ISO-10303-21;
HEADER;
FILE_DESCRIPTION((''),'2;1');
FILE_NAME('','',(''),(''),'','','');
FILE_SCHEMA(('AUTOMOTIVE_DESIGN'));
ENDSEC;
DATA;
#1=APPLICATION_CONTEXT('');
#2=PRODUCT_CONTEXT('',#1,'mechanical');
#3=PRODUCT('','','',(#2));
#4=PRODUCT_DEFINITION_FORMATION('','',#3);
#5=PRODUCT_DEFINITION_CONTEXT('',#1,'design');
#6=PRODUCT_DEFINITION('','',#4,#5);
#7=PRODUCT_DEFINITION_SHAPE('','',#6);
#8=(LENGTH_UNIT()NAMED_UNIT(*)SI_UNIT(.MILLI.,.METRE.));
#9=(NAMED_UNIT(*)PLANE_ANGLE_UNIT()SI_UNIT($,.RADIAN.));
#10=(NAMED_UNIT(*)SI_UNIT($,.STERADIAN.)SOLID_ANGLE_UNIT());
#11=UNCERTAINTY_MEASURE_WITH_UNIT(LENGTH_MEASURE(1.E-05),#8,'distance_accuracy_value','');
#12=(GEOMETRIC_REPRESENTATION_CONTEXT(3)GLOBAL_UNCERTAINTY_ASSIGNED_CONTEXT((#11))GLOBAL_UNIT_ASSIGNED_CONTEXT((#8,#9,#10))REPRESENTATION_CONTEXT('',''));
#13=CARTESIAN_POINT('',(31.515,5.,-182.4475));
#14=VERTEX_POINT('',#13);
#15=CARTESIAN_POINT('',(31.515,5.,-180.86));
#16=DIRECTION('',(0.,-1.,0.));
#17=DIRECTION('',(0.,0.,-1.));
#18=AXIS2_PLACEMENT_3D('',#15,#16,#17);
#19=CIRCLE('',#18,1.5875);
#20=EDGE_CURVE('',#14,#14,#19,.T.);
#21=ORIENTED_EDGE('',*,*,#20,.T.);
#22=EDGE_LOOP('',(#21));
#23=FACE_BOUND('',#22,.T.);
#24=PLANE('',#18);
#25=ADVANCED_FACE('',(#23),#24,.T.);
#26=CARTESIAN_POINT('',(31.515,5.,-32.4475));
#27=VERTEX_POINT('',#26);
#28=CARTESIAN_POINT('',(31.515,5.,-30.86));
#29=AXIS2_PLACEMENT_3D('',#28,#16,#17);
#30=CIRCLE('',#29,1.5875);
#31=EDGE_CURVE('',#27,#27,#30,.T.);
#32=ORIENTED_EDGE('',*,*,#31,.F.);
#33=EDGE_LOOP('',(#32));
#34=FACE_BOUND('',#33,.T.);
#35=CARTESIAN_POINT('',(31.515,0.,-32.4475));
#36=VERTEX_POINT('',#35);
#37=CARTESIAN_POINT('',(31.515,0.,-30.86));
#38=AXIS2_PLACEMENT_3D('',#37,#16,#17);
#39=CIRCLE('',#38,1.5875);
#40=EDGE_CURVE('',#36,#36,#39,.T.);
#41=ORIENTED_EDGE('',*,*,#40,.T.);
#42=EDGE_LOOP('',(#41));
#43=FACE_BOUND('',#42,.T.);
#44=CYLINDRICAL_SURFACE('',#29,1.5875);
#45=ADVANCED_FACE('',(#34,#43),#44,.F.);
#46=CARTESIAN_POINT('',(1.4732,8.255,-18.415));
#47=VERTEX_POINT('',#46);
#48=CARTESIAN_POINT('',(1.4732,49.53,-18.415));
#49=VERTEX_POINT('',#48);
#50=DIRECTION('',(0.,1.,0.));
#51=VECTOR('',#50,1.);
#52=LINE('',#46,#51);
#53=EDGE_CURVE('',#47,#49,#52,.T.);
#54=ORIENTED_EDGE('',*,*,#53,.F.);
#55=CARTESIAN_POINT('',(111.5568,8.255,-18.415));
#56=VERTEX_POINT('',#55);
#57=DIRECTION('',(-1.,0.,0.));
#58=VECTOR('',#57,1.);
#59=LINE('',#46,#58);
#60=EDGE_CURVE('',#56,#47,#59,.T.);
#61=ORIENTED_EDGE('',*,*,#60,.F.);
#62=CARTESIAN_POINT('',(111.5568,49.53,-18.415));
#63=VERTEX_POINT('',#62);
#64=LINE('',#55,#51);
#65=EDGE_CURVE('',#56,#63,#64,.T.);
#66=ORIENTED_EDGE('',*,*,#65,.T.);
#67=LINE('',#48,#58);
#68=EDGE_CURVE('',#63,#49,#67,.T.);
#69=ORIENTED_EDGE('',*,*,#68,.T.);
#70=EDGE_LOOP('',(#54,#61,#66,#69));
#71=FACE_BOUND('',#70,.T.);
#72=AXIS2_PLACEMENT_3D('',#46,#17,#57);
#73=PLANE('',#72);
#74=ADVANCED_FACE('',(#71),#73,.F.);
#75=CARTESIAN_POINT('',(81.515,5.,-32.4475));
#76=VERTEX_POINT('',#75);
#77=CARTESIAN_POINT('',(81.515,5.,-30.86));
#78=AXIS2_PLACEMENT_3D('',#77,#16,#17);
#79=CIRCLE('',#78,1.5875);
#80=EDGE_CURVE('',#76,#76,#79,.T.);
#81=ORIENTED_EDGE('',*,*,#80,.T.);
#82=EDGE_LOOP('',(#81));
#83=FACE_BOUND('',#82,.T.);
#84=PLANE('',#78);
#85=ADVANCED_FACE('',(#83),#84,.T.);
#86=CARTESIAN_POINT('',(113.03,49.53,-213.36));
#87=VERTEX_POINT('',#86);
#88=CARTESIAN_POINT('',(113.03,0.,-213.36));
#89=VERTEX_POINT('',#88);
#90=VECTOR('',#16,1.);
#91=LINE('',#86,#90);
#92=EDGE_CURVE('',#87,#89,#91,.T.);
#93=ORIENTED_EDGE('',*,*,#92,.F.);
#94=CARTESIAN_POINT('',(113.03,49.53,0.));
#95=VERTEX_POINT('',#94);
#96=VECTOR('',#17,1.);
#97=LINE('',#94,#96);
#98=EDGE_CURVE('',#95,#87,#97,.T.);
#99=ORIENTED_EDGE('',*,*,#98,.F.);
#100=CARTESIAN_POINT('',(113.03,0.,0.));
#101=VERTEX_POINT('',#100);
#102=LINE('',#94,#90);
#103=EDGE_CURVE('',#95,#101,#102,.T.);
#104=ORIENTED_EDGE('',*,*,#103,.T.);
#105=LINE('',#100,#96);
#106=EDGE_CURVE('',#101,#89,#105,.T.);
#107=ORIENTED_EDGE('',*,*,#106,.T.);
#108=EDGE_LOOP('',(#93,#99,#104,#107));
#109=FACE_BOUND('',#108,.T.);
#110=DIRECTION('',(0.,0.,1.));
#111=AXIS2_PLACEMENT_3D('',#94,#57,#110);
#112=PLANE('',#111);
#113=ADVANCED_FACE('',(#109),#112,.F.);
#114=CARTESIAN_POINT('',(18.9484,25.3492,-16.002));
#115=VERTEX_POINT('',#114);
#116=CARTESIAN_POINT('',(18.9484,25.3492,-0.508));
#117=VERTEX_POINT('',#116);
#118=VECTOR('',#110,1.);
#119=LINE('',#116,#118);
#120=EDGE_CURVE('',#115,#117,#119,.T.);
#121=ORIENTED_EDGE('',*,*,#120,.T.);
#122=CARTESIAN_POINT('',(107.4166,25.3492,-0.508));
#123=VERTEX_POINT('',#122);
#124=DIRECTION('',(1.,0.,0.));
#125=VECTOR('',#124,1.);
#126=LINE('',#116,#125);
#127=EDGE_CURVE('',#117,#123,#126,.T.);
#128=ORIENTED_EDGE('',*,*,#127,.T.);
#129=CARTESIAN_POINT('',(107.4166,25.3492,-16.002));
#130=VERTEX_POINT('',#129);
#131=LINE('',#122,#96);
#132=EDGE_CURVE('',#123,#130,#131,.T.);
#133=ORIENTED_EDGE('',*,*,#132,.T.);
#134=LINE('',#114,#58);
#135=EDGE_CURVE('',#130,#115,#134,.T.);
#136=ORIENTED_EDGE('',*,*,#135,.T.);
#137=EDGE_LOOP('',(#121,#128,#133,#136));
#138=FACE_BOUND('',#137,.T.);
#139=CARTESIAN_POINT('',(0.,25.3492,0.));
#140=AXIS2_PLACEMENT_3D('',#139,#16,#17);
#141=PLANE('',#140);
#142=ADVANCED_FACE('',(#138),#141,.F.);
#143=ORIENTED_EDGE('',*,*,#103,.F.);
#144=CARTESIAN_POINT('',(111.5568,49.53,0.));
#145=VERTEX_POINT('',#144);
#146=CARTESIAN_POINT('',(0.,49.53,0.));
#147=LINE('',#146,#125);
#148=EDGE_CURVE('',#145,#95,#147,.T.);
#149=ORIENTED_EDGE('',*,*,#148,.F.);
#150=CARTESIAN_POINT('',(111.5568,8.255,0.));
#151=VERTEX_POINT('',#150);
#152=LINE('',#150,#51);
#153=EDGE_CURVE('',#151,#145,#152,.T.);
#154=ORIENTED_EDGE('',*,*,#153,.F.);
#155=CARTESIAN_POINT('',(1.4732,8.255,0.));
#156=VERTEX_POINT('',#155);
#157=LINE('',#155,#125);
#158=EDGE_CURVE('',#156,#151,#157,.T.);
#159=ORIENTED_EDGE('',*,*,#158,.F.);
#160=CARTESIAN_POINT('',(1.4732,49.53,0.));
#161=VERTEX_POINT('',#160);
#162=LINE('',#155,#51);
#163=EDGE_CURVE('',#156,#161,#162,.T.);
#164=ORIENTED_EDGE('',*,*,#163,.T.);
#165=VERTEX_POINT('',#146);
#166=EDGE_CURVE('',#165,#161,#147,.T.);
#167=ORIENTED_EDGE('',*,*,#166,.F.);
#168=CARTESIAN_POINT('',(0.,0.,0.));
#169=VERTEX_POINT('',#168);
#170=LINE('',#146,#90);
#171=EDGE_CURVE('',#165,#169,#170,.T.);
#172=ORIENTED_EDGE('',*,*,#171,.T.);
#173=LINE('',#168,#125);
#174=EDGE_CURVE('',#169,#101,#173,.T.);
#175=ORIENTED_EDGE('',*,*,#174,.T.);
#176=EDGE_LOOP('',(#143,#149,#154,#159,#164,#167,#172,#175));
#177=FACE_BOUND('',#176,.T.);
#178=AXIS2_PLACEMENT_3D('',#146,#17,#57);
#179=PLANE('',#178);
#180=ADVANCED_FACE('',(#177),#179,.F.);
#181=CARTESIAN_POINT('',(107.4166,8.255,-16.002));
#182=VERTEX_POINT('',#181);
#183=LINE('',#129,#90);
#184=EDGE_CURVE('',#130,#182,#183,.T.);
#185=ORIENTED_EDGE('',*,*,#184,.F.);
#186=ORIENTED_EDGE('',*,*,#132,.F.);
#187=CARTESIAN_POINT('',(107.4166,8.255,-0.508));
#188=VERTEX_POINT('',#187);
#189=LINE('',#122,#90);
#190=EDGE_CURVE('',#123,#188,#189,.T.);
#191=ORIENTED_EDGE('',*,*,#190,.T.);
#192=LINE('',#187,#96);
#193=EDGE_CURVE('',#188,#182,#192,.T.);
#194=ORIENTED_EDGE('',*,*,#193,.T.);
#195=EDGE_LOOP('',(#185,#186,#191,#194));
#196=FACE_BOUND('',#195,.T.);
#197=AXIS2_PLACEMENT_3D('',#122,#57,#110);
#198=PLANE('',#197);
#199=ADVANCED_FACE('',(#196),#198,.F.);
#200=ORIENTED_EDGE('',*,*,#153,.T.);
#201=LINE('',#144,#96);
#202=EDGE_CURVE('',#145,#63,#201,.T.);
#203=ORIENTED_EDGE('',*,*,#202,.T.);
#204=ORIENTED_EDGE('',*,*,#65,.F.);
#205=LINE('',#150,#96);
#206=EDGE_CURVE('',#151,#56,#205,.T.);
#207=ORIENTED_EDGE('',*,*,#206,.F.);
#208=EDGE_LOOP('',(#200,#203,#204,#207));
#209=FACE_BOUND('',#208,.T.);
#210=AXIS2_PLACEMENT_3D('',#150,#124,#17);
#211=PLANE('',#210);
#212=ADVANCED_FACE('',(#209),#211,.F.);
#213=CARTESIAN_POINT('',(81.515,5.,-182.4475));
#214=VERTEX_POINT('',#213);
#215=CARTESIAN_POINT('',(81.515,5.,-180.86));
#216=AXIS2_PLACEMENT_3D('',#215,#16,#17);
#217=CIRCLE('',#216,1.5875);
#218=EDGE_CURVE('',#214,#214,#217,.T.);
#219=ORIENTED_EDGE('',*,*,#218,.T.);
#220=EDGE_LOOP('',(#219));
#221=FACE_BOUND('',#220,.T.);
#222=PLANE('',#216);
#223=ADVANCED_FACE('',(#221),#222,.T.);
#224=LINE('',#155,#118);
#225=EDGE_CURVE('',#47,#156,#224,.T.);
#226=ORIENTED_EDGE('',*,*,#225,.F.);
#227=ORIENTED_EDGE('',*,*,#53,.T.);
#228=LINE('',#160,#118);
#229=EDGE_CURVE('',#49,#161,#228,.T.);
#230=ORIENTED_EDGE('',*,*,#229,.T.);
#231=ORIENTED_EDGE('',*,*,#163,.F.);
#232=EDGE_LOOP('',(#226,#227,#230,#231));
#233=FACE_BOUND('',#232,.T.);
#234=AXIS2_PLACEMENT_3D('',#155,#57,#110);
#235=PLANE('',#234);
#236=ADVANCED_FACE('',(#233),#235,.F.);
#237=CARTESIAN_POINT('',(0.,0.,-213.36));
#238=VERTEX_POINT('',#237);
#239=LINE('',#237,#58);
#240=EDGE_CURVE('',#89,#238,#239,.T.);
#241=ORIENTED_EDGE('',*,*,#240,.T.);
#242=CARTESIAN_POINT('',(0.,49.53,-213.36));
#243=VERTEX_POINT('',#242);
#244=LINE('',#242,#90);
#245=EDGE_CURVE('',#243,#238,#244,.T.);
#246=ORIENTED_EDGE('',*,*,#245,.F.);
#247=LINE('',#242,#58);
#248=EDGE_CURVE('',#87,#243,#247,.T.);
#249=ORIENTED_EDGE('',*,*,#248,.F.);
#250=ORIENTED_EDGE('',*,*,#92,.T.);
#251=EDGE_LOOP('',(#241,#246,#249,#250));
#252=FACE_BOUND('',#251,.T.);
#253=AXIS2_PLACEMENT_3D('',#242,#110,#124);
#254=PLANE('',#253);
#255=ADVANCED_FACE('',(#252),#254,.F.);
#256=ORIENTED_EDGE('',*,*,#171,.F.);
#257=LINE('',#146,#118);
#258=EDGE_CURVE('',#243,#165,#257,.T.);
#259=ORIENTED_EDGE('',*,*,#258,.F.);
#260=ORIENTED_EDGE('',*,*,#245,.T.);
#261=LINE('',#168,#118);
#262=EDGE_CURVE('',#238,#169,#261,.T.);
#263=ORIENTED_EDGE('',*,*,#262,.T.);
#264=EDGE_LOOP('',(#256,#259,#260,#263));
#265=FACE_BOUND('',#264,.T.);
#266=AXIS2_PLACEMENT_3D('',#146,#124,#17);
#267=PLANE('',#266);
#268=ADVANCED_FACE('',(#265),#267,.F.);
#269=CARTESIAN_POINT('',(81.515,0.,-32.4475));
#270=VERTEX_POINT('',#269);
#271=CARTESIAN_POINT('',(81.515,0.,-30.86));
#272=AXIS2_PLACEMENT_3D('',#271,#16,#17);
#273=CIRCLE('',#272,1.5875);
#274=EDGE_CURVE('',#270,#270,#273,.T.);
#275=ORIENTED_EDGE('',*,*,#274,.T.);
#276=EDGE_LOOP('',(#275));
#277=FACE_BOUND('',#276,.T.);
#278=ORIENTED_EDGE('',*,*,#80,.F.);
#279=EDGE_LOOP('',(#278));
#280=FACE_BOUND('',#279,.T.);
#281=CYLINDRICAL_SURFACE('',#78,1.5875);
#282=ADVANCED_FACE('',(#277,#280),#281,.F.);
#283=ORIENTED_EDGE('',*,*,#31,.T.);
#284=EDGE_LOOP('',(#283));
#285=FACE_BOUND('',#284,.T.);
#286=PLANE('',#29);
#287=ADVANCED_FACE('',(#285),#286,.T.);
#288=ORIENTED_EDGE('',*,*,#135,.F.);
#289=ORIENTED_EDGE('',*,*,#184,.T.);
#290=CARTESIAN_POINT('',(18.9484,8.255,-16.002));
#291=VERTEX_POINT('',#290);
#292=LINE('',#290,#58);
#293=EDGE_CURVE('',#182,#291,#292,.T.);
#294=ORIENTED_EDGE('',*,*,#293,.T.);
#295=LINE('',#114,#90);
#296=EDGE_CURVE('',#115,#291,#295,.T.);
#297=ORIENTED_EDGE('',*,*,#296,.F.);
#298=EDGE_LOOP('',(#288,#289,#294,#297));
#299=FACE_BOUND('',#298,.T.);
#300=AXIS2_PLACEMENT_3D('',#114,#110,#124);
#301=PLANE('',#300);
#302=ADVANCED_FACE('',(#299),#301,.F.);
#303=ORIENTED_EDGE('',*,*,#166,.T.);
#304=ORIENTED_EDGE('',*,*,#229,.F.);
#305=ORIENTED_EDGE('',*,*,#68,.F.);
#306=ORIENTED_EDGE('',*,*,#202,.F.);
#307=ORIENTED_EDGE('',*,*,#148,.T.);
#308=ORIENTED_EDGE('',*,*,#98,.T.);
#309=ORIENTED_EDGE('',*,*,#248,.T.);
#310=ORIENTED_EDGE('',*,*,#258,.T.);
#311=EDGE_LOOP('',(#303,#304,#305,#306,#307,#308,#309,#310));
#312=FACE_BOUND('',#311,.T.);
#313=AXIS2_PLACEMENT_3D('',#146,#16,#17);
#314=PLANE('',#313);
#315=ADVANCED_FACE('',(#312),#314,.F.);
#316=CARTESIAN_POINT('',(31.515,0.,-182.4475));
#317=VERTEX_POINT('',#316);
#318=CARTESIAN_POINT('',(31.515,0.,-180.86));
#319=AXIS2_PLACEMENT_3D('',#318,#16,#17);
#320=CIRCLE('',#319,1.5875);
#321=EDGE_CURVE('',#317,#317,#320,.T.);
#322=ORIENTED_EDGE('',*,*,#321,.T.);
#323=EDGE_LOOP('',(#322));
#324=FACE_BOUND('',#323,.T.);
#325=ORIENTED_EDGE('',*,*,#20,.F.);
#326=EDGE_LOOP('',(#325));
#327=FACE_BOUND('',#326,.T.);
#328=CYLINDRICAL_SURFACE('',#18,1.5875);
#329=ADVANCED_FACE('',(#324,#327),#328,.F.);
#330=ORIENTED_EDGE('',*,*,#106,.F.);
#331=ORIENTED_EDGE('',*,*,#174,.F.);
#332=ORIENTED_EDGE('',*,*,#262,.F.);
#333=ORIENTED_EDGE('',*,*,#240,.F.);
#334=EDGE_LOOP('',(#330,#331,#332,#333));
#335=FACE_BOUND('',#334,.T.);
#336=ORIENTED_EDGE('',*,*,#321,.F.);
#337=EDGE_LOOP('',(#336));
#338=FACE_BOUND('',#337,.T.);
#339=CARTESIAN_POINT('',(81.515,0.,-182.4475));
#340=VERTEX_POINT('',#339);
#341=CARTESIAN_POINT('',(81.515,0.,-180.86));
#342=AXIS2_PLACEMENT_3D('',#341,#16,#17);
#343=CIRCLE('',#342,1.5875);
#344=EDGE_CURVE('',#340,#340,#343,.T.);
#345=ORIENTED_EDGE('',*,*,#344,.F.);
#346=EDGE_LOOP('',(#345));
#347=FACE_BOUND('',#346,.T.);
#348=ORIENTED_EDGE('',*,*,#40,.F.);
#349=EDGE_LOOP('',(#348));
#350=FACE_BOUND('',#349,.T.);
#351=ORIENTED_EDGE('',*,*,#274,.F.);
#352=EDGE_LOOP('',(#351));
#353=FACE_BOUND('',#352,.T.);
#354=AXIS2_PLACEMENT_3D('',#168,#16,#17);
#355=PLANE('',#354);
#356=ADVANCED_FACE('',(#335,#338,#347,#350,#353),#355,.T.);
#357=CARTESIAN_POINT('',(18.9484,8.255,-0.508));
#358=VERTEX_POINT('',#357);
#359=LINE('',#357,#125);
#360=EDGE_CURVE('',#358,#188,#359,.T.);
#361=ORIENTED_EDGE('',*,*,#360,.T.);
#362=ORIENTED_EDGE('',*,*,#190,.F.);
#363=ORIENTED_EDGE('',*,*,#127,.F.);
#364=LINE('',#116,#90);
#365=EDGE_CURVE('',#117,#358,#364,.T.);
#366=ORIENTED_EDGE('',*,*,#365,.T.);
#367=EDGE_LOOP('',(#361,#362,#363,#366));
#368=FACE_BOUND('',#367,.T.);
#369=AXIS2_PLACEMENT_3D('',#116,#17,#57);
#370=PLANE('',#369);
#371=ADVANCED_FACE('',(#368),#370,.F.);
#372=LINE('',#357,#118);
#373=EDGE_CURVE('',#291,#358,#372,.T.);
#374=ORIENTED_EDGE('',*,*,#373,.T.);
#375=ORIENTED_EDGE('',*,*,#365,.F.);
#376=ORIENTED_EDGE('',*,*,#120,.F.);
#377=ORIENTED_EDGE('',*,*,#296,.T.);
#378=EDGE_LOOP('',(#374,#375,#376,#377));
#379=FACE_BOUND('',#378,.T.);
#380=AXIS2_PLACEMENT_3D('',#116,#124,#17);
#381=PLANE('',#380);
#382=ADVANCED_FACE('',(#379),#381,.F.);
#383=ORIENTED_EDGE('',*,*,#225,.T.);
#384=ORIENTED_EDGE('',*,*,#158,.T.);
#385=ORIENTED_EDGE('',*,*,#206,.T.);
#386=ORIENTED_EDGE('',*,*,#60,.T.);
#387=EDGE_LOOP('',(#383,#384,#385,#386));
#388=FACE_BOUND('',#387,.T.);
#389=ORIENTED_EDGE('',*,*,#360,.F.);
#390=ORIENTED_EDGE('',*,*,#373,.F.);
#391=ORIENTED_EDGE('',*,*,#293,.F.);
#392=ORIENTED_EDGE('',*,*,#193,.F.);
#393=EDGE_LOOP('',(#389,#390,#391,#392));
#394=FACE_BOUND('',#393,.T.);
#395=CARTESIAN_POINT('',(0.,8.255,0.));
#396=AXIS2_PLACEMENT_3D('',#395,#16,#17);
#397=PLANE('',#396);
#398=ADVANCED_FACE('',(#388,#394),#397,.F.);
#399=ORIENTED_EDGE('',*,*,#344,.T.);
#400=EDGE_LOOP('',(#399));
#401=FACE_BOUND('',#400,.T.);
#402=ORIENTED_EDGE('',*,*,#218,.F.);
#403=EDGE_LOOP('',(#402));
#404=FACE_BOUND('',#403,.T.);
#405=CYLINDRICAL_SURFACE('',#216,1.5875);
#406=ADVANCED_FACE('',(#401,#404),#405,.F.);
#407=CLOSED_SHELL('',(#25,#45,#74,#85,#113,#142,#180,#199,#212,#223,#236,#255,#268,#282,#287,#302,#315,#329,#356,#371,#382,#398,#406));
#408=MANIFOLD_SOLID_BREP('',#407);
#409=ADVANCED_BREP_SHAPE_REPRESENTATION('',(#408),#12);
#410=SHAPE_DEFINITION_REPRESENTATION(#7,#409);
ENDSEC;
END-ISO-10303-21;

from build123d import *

# Parameters (mm, degrees)
SKETCH1_W           = 113.03
SKETCH1_H           = 213.36
BOSS_EXTRUDE1_DEPTH = 49.53
SKETCH2_W           = 110.0836
SKETCH2_H           = 18.415
CUT_EXTRUDE1_DEPTH  = 41.275
SKETCH3_W           = 88.4682
SKETCH3_H           = 15.494
BOSS_EXTRUDE2_DEPTH = 17.0942
SKETCH4_R           = 1.5875
CUT_EXTRUDE2_DEPTH  = 5


with BuildPart() as part:
    # Sketch1 → Boss-Extrude1 (new body)
    with BuildSketch(Plane(origin=(0, 0, 0), x_dir=(1, 0, 0), z_dir=(0, 1, 0))):
        with Locations((56.515, 106.68)):
            Rectangle(SKETCH1_W, SKETCH1_H)
    extrude(amount=BOSS_EXTRUDE1_DEPTH)

    # Sketch2 → Cut-Extrude1 (cut)
    with BuildSketch(Plane(origin=(0, 49.53, 0), x_dir=(1, 0, 0), z_dir=(0, 1, 0))):
        with Locations((56.515, 9.2075)):
            Rectangle(SKETCH2_W, SKETCH2_H)
    extrude(amount=-CUT_EXTRUDE1_DEPTH, mode=Mode.SUBTRACT)

    # Sketch3 → Boss-Extrude2 (add)
    with BuildSketch(Plane(origin=(0, 8.255, 0), x_dir=(1, 0, 0), z_dir=(0, 1, 0))):
        with Locations((63.1825, 8.255)):
            Rectangle(SKETCH3_W, SKETCH3_H)
    extrude(amount=BOSS_EXTRUDE2_DEPTH)

    # Sketch4 → Cut-Extrude2 (cut)
    with BuildSketch(Plane.XZ):
        with Locations(Location((81.515, -180.86, 0), (0, 0, 270))):
            Circle(SKETCH4_R)
        with Locations(Location((31.515, -180.86, 0), (0, 0, 270))):
            Circle(SKETCH4_R)
        with Locations(Location((81.515, -30.86, 0), (0, 0, 270))):
            Circle(SKETCH4_R)
        with Locations(Location((31.515, -30.86, 0), (0, 0, 270))):
            Circle(SKETCH4_R)
    extrude(amount=-CUT_EXTRUDE2_DEPTH, mode=Mode.SUBTRACT)


solid = part.part
